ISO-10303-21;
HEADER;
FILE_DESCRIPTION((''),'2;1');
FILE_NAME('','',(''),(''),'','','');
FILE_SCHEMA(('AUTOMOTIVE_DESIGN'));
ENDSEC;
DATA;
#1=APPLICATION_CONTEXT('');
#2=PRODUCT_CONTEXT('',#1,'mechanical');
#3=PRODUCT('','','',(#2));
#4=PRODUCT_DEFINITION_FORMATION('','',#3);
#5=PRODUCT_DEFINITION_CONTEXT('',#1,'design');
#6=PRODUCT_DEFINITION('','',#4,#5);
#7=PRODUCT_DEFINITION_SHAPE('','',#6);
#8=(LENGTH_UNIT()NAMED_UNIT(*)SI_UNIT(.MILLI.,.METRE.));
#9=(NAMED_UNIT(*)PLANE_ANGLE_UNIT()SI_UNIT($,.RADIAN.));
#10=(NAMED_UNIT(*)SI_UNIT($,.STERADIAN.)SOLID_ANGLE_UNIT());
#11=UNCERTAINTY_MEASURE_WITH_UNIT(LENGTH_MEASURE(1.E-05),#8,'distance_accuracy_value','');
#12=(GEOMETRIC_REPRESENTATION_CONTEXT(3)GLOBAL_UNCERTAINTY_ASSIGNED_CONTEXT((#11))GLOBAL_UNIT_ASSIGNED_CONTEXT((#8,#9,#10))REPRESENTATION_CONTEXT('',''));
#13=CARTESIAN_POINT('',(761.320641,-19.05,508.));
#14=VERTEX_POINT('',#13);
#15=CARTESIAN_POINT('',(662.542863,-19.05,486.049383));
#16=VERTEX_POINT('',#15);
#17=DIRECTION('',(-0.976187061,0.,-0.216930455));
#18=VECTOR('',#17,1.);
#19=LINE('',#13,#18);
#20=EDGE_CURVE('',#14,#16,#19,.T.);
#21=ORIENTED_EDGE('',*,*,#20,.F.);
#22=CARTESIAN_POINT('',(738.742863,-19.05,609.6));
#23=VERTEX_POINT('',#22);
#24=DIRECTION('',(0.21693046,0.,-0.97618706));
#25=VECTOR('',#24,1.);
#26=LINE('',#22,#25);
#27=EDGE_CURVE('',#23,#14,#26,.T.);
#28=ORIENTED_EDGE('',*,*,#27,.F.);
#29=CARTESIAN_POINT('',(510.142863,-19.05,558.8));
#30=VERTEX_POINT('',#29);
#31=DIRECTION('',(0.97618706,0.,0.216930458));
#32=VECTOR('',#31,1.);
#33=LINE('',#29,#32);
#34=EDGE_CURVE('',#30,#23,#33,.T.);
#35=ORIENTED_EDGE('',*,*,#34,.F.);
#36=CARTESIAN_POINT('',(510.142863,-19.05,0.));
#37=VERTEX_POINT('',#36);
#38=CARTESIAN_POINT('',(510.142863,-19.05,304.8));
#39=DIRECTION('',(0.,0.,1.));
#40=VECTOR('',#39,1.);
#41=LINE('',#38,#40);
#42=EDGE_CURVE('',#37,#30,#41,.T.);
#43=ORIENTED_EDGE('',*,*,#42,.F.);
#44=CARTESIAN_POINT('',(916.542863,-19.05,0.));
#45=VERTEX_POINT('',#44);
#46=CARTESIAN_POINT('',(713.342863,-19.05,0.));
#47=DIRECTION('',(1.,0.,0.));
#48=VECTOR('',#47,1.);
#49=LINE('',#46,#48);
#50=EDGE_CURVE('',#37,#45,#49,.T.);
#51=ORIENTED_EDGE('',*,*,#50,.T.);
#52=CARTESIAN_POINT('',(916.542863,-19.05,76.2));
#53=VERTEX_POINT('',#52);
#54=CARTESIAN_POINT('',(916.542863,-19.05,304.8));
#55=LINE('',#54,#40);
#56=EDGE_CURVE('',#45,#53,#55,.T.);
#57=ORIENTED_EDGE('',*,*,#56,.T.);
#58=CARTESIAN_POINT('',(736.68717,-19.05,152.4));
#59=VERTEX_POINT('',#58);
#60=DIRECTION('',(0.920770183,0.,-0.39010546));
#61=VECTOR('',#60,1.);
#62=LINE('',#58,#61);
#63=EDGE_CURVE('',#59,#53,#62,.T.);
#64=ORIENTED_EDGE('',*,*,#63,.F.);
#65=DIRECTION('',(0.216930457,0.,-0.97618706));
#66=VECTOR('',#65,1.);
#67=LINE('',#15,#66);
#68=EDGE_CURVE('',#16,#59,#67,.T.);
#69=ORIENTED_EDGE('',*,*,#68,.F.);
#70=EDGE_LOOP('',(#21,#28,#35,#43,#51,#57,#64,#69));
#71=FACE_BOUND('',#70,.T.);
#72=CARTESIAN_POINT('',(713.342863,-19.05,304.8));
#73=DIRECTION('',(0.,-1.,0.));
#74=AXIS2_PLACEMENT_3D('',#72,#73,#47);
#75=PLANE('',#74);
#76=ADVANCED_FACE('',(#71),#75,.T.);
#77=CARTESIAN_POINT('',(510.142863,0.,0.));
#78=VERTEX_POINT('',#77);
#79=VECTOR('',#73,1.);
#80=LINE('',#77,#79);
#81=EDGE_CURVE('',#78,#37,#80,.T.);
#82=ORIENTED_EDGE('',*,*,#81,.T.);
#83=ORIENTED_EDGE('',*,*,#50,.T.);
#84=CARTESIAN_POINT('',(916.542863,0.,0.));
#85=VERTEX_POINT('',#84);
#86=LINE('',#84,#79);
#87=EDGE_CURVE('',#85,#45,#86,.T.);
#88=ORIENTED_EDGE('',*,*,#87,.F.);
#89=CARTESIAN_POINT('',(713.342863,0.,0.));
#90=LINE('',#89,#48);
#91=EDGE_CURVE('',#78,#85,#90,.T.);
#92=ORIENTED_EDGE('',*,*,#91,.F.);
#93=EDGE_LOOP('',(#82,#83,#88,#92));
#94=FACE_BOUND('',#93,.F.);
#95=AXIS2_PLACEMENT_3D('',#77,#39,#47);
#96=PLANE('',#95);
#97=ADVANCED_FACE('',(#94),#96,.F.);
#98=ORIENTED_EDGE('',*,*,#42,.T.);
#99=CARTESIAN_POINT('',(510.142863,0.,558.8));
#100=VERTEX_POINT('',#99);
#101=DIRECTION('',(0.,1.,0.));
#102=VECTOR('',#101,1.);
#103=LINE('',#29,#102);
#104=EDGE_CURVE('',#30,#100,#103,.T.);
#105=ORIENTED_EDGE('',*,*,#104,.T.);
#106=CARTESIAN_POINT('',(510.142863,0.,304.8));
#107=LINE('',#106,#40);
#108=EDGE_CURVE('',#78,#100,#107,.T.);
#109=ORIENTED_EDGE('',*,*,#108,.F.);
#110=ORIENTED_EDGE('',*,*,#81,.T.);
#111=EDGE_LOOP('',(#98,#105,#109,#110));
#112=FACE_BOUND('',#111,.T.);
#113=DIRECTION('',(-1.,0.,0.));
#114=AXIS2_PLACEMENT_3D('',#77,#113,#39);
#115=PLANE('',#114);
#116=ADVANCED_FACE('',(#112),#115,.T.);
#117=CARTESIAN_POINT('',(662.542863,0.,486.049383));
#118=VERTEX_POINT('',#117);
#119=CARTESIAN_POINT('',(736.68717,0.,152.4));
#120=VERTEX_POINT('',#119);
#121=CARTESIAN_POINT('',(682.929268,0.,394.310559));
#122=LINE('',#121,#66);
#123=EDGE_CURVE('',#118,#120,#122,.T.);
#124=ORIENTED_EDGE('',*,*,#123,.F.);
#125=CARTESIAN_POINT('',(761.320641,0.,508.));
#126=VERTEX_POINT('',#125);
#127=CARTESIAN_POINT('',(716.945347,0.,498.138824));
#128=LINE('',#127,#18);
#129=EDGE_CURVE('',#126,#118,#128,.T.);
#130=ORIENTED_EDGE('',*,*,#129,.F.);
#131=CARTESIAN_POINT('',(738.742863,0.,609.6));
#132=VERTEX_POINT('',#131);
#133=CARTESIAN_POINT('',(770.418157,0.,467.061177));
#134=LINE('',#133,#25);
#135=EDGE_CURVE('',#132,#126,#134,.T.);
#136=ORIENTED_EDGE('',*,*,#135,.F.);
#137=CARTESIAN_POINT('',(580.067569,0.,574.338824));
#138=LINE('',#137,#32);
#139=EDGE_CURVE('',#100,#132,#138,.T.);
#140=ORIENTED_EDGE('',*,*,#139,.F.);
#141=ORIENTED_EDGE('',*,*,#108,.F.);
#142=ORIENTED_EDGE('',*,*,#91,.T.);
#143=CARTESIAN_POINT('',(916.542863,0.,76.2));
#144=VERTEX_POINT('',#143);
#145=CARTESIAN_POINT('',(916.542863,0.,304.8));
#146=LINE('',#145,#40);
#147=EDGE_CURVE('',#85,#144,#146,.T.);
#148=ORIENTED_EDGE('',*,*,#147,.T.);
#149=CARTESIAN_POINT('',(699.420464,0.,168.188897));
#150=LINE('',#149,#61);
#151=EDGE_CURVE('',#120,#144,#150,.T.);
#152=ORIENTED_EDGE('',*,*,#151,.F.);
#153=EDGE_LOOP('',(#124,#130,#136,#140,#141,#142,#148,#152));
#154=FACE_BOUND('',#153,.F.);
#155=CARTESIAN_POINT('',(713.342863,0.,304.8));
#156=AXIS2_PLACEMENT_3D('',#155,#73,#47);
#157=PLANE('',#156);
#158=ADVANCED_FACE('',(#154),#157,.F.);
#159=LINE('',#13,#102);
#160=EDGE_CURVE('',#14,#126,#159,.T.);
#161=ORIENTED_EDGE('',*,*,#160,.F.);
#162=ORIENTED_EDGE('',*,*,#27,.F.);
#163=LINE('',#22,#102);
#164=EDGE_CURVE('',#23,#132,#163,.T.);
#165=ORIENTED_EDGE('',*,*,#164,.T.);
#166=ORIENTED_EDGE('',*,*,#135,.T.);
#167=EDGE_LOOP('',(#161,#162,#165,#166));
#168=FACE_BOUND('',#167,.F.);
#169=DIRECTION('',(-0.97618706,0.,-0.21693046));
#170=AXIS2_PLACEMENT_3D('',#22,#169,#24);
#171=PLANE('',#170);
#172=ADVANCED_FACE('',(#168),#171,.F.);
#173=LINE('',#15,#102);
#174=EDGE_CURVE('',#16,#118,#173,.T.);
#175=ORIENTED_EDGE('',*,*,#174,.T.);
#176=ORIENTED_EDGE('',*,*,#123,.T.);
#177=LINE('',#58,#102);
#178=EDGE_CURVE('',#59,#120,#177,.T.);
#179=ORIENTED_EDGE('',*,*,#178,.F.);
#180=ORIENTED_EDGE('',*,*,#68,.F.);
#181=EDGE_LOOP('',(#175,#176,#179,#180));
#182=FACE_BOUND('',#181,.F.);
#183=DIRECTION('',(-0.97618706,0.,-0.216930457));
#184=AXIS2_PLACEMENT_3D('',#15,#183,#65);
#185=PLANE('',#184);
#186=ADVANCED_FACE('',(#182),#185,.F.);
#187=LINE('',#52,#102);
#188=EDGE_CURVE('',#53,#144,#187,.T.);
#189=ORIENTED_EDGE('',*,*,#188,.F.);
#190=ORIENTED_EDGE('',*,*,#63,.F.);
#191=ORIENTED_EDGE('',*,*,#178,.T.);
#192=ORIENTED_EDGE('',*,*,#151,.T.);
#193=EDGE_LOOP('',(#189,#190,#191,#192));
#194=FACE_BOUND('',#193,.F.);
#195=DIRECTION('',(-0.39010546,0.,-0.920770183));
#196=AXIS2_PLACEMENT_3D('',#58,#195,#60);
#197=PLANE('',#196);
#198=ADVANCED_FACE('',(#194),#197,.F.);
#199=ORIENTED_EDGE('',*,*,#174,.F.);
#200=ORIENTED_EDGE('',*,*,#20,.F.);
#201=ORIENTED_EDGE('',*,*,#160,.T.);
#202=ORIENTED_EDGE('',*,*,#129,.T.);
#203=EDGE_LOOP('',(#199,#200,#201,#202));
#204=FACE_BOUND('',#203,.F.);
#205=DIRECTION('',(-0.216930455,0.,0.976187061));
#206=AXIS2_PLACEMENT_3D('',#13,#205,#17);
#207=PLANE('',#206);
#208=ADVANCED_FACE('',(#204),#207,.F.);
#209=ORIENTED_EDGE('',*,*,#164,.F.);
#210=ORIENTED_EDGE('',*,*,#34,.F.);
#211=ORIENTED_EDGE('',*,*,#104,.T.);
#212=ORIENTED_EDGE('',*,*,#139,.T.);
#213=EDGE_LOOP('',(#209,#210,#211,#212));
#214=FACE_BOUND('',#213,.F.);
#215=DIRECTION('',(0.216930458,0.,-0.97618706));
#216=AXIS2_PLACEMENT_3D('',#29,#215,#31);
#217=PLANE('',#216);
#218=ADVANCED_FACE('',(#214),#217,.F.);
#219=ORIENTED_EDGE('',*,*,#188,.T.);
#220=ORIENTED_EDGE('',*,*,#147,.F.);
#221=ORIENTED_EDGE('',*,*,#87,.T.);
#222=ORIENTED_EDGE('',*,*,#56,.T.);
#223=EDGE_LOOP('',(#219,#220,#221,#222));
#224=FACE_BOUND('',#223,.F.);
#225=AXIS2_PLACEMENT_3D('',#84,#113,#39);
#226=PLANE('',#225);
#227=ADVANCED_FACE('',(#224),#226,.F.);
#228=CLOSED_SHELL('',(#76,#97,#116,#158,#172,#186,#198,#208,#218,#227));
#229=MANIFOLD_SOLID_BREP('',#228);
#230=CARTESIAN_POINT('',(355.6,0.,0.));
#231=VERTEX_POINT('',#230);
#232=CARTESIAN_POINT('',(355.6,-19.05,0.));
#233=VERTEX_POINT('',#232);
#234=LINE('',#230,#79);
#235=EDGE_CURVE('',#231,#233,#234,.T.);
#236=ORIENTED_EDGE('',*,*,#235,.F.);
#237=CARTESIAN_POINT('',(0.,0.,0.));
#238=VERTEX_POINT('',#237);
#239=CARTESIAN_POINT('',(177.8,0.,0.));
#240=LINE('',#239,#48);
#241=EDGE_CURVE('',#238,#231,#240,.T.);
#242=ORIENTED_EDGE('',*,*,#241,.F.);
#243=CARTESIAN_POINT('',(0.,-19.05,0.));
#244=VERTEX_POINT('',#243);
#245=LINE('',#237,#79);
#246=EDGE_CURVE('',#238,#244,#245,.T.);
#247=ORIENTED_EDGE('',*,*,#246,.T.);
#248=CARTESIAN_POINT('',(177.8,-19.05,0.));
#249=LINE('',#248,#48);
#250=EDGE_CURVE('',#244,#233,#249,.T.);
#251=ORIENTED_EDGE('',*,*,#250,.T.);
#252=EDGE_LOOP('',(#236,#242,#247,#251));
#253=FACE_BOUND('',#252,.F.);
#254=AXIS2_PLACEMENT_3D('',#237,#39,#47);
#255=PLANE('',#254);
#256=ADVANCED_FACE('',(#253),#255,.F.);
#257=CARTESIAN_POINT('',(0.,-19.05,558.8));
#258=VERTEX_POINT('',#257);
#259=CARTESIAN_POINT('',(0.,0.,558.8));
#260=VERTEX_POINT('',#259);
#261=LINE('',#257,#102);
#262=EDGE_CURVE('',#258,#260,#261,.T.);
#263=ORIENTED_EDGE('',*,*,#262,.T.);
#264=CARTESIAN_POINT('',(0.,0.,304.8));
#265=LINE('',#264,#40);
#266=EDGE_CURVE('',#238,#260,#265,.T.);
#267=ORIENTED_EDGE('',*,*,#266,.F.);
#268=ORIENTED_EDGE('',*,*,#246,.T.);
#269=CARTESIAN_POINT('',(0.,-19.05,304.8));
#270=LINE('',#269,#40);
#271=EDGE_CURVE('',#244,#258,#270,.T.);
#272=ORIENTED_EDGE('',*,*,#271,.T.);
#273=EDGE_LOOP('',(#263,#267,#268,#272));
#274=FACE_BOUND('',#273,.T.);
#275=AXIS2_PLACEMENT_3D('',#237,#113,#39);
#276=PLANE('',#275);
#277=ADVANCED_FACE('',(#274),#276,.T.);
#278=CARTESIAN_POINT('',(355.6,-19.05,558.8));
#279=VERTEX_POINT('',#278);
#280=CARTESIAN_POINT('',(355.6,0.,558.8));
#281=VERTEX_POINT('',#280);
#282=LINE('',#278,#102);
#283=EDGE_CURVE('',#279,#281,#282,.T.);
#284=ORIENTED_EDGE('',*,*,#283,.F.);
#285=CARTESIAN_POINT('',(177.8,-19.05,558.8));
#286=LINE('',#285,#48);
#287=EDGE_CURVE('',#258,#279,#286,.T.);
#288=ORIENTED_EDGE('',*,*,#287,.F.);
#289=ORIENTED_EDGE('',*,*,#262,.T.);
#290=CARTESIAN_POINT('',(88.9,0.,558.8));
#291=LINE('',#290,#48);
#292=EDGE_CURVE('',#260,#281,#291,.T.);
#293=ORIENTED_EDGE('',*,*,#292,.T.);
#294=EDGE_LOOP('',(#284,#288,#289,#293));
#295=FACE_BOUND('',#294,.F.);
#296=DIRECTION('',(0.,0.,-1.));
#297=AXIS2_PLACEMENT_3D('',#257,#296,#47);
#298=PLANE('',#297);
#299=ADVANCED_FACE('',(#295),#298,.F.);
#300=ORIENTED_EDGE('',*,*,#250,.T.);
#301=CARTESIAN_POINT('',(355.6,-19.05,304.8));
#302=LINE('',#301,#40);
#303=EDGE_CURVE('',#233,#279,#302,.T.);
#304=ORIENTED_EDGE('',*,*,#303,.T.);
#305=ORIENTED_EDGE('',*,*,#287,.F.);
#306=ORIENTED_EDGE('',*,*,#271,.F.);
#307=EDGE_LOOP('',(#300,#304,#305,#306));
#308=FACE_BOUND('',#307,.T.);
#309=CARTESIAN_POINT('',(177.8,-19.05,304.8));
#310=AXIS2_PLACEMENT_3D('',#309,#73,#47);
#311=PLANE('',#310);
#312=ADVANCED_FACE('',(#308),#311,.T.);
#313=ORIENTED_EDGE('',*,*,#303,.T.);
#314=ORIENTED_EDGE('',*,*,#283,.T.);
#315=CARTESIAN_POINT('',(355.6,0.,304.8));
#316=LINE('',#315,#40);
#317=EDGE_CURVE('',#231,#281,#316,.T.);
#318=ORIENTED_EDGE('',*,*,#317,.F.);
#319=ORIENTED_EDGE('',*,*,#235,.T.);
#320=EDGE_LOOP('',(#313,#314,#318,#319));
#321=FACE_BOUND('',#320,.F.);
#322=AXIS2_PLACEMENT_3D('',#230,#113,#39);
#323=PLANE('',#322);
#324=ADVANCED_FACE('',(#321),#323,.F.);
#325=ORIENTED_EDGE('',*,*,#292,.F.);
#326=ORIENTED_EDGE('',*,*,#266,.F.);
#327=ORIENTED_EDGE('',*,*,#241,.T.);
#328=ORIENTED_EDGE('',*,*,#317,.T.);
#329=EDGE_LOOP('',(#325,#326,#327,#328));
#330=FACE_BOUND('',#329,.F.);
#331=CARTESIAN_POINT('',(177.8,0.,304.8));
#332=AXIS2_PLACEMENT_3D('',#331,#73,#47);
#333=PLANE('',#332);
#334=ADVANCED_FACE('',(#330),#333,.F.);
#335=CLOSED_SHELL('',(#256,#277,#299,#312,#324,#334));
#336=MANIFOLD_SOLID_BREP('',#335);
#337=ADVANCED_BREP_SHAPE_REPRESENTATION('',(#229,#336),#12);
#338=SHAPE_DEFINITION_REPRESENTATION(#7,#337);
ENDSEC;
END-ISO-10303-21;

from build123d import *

# Parameters (mm, degrees)
F0_W     = 355.6
F0_H     = 609.6
F1_DEPTH = 19.05
F2_W     = 406.4
F2_H     = 609.6
F3_DEPTH = 19.05
F5_DEPTH = 19.051
F6_W     = 355.6
F6_H     = 50.8
F7_DEPTH = 19.051


with BuildPart() as f1:
    # F0 (on Front) → F1 (new body)
    with BuildSketch(Plane.XZ):
        with Locations((177.8, 304.8)):
            Rectangle(F0_W, F0_H)
    extrude(amount=F1_DEPTH)

    # F6 (on face) → F7 (cut, through all)
    with BuildSketch(Plane.XZ.offset(19.05)):
        with Locations((177.8, 584.2)):
            Rectangle(F6_W, F6_H)
    extrude(amount=-F7_DEPTH, mode=Mode.SUBTRACT)


with BuildPart() as f3:
    # F2 (on Front) → F3 (new body)
    with BuildSketch(Plane.XZ):
        with Locations((713.342863, 304.8)):
            Rectangle(F2_W, F2_H)
    extrude(amount=F3_DEPTH)

    # F4 (on face) → F5 (cut, through all)
    with BuildSketch(Plane.XZ.offset(19.05)):
        Polygon((916.542863, 609.6), (738.742863, 609.6), (761.320641, 508), (662.542863, 486.049383), (736.68717, 152.4), (916.542863, 76.2), align=None)
        Polygon((510.142863, 558.8), (738.742863, 609.6), (510.142863, 609.6), align=None)
    extrude(amount=-F5_DEPTH, mode=Mode.SUBTRACT)


solid = Compound([f1.part, f3.part])
